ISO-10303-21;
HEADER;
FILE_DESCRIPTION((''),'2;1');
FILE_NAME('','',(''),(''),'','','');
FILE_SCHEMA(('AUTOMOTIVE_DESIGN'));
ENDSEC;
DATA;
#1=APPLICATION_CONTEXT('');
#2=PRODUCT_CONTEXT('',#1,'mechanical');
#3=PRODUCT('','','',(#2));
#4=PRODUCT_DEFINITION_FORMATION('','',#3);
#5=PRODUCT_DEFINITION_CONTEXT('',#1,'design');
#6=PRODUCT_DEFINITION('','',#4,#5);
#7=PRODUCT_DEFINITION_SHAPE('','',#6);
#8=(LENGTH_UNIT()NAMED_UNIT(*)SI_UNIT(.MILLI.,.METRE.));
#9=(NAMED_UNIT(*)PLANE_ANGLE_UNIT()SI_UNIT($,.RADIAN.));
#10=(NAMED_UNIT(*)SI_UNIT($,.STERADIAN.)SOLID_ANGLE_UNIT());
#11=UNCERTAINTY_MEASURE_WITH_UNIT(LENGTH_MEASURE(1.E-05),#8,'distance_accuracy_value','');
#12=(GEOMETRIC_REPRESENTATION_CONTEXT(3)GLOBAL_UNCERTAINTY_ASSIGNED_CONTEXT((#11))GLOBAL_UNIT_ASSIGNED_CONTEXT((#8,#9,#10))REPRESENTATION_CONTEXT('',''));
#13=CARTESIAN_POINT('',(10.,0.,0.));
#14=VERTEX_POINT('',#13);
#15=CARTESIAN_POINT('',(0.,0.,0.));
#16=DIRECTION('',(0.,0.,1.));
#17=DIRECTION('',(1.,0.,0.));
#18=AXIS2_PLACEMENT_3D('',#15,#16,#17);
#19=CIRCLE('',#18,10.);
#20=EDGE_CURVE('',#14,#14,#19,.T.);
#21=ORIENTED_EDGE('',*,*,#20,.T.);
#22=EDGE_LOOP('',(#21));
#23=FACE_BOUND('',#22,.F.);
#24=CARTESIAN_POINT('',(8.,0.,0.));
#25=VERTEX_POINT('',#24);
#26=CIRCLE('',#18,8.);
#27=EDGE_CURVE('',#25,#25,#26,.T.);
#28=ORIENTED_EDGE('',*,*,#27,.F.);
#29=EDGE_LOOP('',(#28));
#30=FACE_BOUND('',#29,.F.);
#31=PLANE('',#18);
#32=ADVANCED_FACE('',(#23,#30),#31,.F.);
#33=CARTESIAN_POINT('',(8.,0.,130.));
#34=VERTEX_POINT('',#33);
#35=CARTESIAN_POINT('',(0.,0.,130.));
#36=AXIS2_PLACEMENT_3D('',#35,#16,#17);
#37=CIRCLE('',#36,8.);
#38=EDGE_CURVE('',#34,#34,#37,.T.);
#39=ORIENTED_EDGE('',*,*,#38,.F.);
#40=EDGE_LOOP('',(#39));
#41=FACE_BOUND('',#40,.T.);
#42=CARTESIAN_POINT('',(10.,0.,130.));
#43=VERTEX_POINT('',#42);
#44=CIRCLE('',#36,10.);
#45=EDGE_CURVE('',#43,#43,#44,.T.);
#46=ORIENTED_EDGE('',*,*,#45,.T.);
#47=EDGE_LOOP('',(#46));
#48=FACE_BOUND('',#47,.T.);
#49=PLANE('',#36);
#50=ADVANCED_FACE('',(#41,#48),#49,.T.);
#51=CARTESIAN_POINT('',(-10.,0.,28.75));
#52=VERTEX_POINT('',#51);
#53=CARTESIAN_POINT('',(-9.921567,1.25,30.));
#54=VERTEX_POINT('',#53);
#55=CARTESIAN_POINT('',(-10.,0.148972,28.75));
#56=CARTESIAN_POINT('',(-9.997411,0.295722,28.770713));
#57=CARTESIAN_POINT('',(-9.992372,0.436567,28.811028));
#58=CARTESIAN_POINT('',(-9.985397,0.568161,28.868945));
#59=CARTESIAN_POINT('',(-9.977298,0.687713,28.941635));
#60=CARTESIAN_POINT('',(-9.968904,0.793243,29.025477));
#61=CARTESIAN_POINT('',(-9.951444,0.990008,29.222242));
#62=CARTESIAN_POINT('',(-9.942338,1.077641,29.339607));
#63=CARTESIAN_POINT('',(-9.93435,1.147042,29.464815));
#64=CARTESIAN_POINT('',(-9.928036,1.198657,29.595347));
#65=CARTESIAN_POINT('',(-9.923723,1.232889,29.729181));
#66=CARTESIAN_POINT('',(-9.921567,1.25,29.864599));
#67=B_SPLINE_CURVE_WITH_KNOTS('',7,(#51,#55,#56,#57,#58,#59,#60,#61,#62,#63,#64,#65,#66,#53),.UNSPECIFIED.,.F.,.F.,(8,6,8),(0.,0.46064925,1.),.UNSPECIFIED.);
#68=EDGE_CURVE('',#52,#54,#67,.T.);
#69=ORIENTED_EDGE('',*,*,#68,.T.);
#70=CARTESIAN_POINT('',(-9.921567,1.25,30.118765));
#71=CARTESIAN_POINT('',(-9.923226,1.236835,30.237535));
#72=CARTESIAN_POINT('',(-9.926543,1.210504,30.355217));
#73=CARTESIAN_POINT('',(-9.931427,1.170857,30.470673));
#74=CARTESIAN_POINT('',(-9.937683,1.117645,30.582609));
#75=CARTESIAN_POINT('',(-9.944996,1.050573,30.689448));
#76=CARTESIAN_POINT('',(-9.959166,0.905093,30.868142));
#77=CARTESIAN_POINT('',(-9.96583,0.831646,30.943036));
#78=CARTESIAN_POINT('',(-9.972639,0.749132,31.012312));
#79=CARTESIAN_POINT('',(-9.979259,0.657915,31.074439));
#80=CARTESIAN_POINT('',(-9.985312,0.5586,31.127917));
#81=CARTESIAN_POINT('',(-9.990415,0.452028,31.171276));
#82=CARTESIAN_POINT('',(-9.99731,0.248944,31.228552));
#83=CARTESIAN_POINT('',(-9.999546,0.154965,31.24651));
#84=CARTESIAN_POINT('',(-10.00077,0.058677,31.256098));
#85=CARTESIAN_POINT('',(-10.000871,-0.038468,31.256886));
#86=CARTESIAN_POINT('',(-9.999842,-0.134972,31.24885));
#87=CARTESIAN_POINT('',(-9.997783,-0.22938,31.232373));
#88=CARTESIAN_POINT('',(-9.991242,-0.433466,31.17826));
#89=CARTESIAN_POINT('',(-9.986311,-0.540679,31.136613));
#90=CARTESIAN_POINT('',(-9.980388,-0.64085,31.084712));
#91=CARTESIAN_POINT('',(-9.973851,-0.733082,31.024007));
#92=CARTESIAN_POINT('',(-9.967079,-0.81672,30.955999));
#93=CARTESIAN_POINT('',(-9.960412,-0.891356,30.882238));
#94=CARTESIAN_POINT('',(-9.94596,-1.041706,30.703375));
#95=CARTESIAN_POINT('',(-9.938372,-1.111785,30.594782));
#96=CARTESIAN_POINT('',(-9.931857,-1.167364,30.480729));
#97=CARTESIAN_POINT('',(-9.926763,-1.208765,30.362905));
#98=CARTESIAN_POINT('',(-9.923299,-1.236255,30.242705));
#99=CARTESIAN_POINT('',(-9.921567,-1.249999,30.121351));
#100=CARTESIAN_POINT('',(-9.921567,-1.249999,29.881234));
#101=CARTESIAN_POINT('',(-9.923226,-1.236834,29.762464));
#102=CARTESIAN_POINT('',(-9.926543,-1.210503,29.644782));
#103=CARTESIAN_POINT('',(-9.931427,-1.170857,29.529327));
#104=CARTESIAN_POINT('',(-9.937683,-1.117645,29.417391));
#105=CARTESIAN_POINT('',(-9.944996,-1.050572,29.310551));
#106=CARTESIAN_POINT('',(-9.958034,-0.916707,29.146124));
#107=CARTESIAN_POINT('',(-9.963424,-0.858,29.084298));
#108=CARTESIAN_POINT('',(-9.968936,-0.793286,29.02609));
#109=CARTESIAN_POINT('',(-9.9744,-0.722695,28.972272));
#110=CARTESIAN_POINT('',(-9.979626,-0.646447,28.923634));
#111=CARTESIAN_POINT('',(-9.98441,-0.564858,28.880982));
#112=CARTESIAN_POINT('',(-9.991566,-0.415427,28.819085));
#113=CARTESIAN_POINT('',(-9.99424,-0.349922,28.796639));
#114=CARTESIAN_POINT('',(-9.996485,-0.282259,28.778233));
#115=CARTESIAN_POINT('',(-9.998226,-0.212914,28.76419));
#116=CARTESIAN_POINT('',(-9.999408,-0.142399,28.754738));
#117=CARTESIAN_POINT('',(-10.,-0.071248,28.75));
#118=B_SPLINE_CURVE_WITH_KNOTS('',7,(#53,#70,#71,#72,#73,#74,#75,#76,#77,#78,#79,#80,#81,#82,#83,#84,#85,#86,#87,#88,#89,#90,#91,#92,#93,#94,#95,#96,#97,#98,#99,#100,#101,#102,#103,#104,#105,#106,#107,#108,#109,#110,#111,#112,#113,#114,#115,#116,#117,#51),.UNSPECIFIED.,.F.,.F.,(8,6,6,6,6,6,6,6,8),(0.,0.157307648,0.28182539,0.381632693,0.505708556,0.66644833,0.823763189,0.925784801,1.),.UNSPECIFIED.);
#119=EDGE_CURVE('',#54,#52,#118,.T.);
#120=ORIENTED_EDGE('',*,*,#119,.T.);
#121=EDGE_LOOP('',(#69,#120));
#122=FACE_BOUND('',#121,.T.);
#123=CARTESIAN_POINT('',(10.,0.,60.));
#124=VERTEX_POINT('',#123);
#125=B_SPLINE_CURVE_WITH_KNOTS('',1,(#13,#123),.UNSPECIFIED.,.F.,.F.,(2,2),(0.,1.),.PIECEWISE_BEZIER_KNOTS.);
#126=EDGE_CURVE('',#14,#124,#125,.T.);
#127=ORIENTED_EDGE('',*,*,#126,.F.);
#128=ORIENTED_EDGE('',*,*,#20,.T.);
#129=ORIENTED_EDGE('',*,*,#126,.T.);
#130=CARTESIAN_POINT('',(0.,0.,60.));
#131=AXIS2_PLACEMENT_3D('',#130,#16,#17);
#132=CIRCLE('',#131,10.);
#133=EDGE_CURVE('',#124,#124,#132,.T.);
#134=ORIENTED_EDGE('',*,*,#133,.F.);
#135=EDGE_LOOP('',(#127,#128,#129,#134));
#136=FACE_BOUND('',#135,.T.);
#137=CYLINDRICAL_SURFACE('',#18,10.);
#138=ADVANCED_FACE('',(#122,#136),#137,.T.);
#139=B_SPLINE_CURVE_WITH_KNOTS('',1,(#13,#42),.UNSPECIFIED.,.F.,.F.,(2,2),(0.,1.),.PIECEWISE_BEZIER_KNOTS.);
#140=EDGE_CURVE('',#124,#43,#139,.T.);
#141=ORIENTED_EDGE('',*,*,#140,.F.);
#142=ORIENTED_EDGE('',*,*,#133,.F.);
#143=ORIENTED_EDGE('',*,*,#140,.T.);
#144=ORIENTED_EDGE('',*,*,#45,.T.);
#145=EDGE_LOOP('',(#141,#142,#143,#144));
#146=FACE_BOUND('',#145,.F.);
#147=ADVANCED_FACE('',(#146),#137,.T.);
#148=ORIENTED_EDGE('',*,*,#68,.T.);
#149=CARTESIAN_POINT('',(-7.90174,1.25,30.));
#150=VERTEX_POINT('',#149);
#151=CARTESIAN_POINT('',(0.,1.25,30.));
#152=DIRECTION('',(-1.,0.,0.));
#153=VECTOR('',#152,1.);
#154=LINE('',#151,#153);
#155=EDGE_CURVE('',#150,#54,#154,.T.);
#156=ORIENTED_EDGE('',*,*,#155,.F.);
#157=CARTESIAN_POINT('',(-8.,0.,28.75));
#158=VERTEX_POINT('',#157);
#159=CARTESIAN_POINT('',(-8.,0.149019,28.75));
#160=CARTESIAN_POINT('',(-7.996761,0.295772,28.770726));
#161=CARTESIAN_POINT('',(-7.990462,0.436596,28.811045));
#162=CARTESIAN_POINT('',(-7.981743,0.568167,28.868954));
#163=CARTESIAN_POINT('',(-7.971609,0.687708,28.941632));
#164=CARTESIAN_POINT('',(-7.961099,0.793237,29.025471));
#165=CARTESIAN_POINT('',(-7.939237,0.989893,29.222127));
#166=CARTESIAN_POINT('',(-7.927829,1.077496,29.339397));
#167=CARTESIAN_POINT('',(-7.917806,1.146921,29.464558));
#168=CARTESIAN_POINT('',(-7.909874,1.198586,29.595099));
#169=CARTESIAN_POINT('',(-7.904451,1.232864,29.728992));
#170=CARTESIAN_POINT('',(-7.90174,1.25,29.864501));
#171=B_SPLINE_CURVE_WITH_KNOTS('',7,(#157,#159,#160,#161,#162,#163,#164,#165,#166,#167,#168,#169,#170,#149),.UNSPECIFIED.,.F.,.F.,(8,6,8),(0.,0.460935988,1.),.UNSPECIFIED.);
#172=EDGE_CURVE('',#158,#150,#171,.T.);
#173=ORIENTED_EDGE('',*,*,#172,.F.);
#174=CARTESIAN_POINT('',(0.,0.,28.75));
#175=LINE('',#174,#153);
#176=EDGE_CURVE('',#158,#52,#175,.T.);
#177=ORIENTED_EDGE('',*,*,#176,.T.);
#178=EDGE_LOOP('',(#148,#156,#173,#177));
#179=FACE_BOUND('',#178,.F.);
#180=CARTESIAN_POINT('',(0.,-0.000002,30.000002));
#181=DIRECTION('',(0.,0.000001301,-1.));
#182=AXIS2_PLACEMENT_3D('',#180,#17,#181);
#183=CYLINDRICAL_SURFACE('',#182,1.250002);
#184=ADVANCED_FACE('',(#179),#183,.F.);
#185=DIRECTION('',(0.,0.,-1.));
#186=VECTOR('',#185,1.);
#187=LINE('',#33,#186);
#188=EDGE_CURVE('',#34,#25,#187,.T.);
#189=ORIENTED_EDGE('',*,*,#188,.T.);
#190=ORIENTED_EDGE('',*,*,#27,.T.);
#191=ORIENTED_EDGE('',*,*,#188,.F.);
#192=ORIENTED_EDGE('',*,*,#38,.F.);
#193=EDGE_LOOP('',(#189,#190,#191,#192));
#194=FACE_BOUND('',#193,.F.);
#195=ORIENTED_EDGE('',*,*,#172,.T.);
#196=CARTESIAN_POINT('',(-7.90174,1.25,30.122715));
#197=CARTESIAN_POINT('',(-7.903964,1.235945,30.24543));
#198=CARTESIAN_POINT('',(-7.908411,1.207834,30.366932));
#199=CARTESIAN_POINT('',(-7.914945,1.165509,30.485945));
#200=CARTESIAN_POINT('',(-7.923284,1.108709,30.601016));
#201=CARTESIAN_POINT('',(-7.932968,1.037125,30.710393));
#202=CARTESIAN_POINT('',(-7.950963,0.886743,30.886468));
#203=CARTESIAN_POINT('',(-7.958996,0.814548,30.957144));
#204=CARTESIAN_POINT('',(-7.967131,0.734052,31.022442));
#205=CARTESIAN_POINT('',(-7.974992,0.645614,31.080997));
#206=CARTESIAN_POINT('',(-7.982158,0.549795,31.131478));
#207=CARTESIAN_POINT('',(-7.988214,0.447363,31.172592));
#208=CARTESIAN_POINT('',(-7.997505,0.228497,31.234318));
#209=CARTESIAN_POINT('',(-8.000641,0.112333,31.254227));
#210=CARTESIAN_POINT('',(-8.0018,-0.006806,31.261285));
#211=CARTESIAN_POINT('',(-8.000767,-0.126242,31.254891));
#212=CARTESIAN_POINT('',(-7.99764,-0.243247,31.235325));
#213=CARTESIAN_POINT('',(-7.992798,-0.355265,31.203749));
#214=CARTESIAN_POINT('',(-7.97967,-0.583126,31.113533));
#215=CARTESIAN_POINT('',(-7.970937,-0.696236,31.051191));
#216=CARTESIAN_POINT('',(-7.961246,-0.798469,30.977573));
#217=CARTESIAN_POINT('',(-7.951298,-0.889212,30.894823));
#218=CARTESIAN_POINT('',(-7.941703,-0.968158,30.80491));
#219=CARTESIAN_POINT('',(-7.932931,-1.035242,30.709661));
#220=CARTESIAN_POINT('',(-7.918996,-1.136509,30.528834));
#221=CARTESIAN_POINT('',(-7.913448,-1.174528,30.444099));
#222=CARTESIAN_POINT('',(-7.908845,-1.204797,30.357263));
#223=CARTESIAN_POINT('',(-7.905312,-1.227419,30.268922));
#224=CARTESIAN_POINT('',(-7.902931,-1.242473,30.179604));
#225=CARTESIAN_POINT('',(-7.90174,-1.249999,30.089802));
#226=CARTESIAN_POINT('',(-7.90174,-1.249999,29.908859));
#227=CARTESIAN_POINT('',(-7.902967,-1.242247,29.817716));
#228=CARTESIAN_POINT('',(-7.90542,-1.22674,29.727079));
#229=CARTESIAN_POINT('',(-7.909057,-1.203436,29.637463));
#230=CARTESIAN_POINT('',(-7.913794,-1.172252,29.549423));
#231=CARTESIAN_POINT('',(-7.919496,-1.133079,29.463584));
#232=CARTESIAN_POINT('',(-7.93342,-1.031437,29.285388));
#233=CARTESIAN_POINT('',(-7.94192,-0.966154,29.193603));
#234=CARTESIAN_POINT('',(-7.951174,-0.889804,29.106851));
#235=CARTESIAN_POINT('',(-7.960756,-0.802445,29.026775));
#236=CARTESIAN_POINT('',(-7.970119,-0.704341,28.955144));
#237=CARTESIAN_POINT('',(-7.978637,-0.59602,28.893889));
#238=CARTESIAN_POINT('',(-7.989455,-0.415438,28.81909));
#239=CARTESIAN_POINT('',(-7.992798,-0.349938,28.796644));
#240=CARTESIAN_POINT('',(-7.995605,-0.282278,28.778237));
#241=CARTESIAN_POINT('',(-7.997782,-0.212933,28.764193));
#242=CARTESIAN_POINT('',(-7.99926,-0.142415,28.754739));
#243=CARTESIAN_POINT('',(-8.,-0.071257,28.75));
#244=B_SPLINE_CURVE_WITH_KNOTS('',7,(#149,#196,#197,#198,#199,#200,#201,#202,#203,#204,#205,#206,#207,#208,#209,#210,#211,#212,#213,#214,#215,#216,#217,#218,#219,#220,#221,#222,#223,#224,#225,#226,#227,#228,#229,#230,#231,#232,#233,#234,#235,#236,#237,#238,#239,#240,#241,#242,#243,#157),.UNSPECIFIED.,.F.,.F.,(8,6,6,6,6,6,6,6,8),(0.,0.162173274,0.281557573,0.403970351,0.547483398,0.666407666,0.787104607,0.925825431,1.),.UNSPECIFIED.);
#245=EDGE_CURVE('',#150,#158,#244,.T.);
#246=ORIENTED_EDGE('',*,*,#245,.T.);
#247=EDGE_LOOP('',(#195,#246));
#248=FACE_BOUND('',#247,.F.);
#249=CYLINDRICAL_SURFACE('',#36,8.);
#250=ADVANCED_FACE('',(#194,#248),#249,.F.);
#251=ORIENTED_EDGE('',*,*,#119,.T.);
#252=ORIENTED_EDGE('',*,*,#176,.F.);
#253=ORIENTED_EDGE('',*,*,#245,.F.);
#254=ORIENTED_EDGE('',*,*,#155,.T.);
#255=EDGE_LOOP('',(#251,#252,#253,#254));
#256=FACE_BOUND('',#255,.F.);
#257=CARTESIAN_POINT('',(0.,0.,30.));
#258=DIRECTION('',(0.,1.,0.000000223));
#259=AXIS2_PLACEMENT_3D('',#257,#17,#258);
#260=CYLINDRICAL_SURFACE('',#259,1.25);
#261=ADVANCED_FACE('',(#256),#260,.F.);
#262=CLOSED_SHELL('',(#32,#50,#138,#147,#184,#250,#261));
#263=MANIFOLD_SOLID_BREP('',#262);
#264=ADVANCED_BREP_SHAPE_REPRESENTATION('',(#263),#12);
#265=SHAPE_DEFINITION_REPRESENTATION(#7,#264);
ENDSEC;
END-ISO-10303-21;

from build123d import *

# Parameters (mm, degrees)
F0_R      = 10
F2_R      = 10
F3_FACE_R = 10
F5_R      = 10
F7_R      = 8
F8_DEPTH  = 130.001
F10_DEPTH = 10.001


with BuildPart() as f3:
    # F0 (on Top) → F3 section 0
    with BuildSketch(Plane.XY):
        Circle(F0_R)
    # F2 (on offset) → F3 section 1
    with BuildSketch(Plane.XY.offset(60)):
        Circle(F2_R)
    loft()

    # F3_face (on face) → F6 section 0
    with BuildSketch(Plane(origin=(0, 0, 0), x_dir=(1, 0, 0), z_dir=(0, 0, -1))):
        Circle(F3_FACE_R)
    # F5 (on offset) → F6 section 1
    with BuildSketch(Plane.XY.offset(130)):
        Circle(F5_R)
    loft()

    # F7 (on face) → F8 (cut, through all)
    with BuildSketch(Plane.XY.offset(130)):
        Circle(F7_R)
    extrude(amount=-F8_DEPTH, mode=Mode.SUBTRACT)

    # F9 (on Right) → F10 (cut, through all)
    with BuildSketch(Plane.YZ):
        with BuildLine():
            ThreePointArc((0, 28.75), (0.883883, 29.116117), (1.25, 30))
            ThreePointArc((1.25, 30), (-0.883883, 30.883883), (0, 28.75))
        make_face()
    extrude(amount=-F10_DEPTH, mode=Mode.SUBTRACT)


solid = f3.part
